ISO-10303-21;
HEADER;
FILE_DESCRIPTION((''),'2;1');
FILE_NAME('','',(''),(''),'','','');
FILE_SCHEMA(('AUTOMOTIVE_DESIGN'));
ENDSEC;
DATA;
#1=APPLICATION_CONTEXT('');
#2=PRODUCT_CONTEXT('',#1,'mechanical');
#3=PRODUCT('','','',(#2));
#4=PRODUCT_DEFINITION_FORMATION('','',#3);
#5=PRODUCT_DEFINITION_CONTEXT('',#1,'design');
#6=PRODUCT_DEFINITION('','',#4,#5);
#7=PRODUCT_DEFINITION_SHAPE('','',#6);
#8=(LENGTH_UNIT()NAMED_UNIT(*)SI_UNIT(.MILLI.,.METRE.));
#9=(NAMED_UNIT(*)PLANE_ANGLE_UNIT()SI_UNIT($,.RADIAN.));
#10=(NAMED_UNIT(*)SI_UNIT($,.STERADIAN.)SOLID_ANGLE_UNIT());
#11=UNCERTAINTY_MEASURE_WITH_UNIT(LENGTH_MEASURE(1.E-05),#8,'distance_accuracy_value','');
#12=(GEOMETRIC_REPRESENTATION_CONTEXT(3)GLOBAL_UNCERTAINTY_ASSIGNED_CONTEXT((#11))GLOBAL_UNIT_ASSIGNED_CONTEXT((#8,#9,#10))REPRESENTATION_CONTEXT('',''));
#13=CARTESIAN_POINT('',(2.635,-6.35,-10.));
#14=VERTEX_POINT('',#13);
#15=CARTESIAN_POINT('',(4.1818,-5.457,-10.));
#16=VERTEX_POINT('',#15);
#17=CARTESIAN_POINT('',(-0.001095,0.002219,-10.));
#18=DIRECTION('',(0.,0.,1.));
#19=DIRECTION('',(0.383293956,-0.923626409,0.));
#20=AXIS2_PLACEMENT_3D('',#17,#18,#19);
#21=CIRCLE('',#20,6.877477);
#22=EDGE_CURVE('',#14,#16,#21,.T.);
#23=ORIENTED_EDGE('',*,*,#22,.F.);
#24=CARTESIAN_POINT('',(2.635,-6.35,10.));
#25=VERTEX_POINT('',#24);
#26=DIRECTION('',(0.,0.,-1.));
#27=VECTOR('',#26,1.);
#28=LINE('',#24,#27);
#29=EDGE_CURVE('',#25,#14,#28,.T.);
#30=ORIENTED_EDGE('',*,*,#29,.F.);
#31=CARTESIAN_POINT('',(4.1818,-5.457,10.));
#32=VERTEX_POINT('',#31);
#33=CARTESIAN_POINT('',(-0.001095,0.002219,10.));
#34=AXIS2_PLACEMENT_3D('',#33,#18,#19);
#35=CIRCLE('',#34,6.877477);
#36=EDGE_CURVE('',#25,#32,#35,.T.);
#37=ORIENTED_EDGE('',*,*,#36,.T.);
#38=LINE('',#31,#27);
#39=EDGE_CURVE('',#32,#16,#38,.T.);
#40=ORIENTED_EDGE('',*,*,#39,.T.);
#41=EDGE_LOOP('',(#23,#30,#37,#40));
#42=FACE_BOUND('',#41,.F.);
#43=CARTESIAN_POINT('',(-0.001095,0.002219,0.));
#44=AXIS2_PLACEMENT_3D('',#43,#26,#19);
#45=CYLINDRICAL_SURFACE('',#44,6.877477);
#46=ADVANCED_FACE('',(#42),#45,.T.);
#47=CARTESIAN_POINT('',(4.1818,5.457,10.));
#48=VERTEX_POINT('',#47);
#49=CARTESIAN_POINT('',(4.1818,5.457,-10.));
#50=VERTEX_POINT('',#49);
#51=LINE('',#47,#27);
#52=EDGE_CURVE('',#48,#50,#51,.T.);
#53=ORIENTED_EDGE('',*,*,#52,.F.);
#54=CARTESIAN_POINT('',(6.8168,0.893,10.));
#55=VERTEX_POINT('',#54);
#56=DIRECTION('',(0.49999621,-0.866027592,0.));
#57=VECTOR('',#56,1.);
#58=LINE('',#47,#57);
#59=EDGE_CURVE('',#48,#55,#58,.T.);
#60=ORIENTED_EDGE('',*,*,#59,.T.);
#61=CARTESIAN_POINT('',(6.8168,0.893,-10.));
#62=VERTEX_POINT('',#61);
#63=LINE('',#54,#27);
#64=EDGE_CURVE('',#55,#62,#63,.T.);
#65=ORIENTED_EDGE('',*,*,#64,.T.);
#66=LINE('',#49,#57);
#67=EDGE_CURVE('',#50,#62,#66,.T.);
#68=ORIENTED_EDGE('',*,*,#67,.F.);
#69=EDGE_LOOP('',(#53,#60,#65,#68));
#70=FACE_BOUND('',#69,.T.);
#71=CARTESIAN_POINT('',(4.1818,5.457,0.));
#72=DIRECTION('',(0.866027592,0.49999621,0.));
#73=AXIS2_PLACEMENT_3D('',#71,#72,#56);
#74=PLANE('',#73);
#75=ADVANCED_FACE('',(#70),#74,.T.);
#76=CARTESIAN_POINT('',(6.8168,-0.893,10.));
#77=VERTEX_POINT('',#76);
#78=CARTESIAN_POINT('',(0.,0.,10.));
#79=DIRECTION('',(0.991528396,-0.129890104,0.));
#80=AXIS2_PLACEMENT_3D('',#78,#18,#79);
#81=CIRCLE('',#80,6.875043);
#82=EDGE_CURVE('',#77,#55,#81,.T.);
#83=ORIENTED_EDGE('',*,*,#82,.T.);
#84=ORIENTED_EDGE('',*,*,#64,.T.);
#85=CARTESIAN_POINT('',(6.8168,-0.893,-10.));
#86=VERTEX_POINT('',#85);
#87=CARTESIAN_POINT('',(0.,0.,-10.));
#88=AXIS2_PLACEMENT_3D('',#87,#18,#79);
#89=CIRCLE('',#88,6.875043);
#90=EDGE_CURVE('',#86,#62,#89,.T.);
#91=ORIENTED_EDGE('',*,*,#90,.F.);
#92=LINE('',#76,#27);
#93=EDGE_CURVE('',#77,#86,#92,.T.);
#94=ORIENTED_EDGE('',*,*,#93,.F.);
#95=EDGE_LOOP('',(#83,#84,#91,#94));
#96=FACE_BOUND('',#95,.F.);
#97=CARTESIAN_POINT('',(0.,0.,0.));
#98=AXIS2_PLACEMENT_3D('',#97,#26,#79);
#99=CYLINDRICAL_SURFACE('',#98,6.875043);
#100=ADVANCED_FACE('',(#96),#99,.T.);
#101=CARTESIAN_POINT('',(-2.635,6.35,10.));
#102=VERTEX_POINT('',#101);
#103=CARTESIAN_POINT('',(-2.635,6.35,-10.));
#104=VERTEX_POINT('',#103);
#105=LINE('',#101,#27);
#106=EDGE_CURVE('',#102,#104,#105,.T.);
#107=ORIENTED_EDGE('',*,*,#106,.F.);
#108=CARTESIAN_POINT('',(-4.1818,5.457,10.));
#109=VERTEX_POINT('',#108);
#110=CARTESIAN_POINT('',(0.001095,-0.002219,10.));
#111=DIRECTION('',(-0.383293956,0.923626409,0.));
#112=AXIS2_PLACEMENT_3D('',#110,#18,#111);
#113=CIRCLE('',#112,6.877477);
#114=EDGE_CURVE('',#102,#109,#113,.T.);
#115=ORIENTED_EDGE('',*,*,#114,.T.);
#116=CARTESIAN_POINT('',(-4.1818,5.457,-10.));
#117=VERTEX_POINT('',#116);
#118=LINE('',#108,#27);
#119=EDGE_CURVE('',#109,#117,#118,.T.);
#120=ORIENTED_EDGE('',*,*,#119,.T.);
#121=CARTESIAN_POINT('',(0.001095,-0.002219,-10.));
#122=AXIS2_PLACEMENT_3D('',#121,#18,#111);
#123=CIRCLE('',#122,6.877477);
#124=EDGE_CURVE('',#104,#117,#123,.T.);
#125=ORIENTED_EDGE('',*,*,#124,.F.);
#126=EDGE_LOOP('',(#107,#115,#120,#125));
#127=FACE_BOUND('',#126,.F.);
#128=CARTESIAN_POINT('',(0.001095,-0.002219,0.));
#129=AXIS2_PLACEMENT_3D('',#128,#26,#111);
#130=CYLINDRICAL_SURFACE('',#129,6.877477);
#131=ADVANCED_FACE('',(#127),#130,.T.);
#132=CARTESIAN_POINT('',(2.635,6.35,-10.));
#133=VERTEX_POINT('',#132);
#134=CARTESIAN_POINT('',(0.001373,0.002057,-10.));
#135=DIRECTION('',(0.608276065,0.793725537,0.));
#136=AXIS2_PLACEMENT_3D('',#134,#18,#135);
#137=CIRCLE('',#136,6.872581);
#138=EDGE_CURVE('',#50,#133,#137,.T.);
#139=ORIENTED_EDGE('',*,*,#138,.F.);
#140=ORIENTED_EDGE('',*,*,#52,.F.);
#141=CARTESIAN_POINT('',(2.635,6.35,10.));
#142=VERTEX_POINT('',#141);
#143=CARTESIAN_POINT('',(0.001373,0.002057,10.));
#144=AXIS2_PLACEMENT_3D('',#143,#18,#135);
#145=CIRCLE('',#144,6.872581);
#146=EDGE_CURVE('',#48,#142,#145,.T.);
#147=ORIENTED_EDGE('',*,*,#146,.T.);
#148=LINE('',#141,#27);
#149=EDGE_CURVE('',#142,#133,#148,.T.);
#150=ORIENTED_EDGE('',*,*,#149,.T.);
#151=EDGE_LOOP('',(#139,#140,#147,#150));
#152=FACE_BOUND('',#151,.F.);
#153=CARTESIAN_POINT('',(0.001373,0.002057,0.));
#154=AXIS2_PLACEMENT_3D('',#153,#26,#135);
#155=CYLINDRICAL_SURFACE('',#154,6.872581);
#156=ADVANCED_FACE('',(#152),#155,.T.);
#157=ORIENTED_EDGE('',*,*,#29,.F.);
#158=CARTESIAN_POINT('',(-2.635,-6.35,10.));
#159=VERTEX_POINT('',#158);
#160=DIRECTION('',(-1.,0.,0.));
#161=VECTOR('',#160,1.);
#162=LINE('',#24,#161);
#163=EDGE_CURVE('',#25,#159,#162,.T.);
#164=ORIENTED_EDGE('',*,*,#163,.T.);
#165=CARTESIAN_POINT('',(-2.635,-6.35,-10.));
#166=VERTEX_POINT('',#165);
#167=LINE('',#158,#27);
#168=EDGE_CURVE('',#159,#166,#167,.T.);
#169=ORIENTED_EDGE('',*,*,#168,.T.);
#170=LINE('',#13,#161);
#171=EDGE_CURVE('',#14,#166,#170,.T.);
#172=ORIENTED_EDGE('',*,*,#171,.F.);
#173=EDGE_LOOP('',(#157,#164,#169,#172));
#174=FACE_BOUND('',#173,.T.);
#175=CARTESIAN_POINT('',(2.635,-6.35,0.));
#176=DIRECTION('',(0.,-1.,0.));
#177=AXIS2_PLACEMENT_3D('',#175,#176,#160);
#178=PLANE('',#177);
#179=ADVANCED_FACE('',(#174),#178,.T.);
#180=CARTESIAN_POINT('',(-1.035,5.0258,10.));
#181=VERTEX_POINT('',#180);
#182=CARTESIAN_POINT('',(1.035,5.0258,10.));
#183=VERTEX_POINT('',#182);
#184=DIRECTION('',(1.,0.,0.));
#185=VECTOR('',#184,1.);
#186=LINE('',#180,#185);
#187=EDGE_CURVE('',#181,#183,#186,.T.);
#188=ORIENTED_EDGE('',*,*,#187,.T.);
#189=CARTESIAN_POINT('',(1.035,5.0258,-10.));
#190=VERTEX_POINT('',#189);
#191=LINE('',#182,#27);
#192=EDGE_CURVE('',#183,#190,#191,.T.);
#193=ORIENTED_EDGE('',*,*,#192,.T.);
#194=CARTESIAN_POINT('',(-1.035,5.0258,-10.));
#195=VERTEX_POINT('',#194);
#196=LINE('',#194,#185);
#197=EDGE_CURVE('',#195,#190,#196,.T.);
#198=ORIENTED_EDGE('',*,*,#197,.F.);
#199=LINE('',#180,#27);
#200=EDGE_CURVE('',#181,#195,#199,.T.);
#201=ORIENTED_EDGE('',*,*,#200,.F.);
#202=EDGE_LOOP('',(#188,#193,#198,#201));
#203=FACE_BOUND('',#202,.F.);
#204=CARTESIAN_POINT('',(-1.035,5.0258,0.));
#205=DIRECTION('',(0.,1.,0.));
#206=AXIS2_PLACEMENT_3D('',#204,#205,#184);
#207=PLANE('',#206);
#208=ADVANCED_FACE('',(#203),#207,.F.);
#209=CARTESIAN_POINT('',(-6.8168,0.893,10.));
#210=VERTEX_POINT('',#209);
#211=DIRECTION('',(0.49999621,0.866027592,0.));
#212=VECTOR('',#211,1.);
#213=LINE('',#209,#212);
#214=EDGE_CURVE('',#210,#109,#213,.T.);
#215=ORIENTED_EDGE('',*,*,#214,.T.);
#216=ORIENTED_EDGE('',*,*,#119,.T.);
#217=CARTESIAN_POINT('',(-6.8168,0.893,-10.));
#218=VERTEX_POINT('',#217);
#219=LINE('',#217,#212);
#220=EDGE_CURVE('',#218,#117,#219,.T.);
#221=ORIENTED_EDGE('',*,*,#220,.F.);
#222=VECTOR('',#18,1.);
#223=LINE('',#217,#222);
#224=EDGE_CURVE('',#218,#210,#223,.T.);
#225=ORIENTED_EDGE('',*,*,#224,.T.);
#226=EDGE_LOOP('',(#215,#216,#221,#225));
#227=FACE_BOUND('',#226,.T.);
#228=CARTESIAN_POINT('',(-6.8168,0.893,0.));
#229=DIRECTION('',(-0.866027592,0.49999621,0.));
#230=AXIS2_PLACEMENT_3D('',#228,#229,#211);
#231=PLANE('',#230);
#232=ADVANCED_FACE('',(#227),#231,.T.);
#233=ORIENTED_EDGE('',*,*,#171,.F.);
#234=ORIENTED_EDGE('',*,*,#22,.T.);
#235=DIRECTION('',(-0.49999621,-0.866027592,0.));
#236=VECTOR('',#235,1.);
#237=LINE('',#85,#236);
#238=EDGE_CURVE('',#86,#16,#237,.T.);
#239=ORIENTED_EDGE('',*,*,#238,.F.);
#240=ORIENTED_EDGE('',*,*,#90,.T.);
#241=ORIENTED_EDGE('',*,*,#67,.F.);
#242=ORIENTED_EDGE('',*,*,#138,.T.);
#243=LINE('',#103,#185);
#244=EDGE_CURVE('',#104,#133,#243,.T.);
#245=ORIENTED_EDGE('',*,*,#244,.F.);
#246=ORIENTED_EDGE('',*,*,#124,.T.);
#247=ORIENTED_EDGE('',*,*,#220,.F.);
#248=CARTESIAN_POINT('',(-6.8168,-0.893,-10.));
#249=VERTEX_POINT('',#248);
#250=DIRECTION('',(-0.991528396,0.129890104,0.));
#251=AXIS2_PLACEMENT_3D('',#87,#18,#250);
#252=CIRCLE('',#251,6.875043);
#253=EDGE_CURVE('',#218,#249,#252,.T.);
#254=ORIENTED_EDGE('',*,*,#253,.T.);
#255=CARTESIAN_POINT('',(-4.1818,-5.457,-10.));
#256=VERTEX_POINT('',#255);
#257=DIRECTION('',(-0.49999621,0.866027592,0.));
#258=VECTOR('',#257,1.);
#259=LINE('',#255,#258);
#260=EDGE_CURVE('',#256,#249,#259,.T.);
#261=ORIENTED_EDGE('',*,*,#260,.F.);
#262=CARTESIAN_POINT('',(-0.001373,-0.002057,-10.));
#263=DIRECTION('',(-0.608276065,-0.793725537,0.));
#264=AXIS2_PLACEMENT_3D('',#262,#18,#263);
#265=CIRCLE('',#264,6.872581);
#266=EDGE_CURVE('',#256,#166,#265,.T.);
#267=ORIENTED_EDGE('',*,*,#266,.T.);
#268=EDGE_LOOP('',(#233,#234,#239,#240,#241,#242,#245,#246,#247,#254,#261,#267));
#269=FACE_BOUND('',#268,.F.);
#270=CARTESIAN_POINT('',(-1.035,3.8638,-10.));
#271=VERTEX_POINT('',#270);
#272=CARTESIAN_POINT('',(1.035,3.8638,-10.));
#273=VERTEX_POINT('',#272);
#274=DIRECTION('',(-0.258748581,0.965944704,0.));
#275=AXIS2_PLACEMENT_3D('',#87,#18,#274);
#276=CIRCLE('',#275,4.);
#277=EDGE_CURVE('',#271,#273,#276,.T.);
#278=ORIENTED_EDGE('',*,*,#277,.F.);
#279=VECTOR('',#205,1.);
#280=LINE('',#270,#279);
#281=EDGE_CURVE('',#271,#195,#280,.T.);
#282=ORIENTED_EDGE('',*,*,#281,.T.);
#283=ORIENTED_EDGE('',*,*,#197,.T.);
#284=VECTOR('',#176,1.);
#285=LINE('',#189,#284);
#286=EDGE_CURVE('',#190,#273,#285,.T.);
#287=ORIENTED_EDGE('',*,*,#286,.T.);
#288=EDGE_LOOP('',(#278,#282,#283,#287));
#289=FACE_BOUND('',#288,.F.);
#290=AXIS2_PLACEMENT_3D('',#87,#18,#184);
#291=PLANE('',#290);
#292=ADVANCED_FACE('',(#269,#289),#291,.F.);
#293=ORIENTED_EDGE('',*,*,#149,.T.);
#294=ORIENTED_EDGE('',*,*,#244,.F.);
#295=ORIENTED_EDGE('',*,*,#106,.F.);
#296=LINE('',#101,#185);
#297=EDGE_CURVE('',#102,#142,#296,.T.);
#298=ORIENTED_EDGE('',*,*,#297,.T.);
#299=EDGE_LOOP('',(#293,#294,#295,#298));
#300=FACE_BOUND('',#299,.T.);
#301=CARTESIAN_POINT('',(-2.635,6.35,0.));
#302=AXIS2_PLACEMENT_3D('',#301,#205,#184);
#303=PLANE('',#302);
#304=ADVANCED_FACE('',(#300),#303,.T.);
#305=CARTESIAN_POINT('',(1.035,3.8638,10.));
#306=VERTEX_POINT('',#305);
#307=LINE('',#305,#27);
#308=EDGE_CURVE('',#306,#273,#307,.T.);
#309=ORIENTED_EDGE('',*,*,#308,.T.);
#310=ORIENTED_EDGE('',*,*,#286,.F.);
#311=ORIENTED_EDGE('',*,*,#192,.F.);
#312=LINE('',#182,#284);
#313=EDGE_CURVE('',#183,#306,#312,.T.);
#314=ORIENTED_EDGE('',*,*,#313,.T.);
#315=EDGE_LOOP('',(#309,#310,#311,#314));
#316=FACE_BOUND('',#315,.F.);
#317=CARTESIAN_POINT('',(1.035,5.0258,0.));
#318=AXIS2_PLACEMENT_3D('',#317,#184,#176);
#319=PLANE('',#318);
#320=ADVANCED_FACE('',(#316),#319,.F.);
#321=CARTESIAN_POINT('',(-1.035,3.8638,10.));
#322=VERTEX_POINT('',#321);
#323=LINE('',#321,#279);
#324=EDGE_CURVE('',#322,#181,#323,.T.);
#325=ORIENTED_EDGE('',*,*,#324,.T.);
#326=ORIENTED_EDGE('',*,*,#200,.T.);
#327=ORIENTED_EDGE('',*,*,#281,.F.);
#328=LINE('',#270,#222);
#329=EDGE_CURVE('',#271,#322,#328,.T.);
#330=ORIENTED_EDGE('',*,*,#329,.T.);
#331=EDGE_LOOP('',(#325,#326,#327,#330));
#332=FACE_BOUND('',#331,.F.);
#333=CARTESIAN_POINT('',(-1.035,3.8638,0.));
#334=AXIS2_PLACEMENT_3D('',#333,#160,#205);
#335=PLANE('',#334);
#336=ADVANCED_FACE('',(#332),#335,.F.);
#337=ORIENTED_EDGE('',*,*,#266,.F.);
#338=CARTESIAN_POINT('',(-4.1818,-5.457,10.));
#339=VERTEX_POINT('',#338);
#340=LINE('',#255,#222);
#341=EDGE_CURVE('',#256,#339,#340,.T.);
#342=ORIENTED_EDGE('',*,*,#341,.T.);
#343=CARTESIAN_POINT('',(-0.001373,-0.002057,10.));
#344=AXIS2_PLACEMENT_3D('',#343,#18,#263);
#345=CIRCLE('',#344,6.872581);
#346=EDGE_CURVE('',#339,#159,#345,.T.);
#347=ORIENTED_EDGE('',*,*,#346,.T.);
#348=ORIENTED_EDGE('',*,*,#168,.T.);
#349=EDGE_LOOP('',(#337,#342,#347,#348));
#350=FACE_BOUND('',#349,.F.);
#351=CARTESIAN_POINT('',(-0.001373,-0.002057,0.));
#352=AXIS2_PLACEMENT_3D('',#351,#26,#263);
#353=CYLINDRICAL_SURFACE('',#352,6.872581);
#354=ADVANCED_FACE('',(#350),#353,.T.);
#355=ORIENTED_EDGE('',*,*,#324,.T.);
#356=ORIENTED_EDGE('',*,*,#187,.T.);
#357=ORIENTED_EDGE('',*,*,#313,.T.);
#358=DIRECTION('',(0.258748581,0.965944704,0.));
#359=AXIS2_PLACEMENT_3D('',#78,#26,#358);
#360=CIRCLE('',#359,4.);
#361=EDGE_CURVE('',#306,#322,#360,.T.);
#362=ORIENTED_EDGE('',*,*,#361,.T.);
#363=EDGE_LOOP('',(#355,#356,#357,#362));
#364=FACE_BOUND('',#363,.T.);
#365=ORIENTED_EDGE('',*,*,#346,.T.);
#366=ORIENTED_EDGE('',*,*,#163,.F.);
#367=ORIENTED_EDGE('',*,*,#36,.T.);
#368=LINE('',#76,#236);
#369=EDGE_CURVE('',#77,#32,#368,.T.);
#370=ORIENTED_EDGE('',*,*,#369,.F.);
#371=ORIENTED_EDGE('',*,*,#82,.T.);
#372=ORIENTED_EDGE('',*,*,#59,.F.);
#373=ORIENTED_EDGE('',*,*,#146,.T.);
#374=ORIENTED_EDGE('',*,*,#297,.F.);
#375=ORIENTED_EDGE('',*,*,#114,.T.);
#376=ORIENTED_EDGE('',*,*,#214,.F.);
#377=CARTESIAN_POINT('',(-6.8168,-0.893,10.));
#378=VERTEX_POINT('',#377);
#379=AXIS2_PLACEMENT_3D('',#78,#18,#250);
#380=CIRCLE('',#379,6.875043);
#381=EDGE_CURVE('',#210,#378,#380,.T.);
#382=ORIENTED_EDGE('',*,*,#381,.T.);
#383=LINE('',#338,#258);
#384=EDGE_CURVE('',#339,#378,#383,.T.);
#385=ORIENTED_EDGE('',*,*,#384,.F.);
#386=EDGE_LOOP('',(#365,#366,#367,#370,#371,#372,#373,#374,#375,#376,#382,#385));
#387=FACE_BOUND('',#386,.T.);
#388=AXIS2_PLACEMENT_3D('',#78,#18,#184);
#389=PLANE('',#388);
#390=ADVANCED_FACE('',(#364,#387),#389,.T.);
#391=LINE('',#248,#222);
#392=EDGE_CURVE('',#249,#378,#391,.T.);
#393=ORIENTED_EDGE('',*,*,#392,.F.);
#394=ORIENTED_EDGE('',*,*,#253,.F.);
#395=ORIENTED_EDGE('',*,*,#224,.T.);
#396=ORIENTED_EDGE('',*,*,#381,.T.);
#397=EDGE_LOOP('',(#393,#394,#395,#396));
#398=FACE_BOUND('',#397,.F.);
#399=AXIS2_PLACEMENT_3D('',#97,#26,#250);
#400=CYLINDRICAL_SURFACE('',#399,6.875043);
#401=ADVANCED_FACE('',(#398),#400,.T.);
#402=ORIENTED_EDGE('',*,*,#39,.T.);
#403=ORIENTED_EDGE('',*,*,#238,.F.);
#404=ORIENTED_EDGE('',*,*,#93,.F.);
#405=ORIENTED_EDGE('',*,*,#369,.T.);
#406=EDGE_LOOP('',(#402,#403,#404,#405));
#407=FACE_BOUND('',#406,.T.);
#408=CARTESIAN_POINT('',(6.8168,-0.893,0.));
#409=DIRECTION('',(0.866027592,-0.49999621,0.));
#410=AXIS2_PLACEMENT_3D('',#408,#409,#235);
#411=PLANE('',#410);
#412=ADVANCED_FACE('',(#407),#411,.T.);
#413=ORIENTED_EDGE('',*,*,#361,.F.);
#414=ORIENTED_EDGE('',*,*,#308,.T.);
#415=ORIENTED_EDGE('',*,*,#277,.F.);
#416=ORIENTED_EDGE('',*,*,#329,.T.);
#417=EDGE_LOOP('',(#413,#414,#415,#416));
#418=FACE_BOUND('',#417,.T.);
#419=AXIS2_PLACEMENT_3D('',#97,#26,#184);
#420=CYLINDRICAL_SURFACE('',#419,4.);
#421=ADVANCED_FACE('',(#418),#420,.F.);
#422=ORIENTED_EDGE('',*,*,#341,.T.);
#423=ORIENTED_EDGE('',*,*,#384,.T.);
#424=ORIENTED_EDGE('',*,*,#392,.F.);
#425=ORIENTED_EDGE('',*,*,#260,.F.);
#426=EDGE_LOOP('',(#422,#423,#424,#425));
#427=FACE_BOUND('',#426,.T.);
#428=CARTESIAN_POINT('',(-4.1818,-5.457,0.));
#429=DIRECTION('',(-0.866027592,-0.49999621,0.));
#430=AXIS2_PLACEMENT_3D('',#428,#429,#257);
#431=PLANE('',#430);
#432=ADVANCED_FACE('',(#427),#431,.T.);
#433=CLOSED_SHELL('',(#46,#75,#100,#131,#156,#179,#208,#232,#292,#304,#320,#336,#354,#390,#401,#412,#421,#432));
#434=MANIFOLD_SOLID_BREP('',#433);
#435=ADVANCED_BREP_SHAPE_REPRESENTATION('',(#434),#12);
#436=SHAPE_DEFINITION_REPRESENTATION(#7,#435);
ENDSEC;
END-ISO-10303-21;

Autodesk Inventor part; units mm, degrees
ref_plane "YZ Plane" through (0, 0, 0) normal (1, 0, 0) x (0, 1, 0)
ref_plane "XZ Plane" through (0, 0, 0) normal (0, 1, 0) x (-1, 0, 0)
ref_plane "XY Plane" through (0, 0, 0) normal (0, 0, 1) x (1, 0, 0)
sketch "Sketch1" plane through (0, 0, 0) normal (0, 0, 1) x (1, 0, 0)
  line L0 (-6.8168, 0.893) -> (-4.1818, 5.457)
  line L1 (-2.635, 6.35) -> (2.635, 6.35)
  line L2 (4.1818, 5.457) -> (6.8168, 0.893)
  line L3 (6.8168, -0.893) -> (4.1818, -5.457)
  line L4 (2.635, -6.35) -> (-2.635, -6.35)
  line L5 (-4.1818, -5.457) -> (-6.8168, -0.893)
  circle A0 centre (0, 0) radius 4
  line L6 (-1.035, 3.8638) -> (-1.035, 5.0258)
  line L7 (-1.035, 5.0258) -> (1.035, 5.0258)
  line L8 (1.035, 5.0258) -> (1.035, 3.8638)
  arc A1 (4.1818, 5.457) -> (2.635, 6.35) centre (0, 0) ccw
  arc A2 (6.8168, -0.893) -> (6.8168, 0.893) centre (0, 0) ccw
  arc A3 (2.635, -6.35) -> (4.1818, -5.457) centre (0, 0) ccw
  arc A4 (-4.1818, -5.457) -> (-2.635, -6.35) centre (0, 0) ccw
  arc A5 (-2.635, 6.35) -> (-4.1818, 5.457) centre (0, 0) ccw
  arc A6 (-6.8168, 0.893) -> (-6.8168, -0.893) centre (0, 0) ccw
  point P0 (0, 5.0258)
  dimension "d0" = 12.7
  dimension "d1" = 8
  dimension "d2" = 2.07
  dimension "d4" = 1.162
  dimension "d6" = 13.75
extrude "Extrusion1" add sketch "Sketch1" along normal mid plane 20
delete_face "Delete Face1" [suppressed]
properties part number "8mm to 500 Hex Adapter" material "Aluminum 7075"
